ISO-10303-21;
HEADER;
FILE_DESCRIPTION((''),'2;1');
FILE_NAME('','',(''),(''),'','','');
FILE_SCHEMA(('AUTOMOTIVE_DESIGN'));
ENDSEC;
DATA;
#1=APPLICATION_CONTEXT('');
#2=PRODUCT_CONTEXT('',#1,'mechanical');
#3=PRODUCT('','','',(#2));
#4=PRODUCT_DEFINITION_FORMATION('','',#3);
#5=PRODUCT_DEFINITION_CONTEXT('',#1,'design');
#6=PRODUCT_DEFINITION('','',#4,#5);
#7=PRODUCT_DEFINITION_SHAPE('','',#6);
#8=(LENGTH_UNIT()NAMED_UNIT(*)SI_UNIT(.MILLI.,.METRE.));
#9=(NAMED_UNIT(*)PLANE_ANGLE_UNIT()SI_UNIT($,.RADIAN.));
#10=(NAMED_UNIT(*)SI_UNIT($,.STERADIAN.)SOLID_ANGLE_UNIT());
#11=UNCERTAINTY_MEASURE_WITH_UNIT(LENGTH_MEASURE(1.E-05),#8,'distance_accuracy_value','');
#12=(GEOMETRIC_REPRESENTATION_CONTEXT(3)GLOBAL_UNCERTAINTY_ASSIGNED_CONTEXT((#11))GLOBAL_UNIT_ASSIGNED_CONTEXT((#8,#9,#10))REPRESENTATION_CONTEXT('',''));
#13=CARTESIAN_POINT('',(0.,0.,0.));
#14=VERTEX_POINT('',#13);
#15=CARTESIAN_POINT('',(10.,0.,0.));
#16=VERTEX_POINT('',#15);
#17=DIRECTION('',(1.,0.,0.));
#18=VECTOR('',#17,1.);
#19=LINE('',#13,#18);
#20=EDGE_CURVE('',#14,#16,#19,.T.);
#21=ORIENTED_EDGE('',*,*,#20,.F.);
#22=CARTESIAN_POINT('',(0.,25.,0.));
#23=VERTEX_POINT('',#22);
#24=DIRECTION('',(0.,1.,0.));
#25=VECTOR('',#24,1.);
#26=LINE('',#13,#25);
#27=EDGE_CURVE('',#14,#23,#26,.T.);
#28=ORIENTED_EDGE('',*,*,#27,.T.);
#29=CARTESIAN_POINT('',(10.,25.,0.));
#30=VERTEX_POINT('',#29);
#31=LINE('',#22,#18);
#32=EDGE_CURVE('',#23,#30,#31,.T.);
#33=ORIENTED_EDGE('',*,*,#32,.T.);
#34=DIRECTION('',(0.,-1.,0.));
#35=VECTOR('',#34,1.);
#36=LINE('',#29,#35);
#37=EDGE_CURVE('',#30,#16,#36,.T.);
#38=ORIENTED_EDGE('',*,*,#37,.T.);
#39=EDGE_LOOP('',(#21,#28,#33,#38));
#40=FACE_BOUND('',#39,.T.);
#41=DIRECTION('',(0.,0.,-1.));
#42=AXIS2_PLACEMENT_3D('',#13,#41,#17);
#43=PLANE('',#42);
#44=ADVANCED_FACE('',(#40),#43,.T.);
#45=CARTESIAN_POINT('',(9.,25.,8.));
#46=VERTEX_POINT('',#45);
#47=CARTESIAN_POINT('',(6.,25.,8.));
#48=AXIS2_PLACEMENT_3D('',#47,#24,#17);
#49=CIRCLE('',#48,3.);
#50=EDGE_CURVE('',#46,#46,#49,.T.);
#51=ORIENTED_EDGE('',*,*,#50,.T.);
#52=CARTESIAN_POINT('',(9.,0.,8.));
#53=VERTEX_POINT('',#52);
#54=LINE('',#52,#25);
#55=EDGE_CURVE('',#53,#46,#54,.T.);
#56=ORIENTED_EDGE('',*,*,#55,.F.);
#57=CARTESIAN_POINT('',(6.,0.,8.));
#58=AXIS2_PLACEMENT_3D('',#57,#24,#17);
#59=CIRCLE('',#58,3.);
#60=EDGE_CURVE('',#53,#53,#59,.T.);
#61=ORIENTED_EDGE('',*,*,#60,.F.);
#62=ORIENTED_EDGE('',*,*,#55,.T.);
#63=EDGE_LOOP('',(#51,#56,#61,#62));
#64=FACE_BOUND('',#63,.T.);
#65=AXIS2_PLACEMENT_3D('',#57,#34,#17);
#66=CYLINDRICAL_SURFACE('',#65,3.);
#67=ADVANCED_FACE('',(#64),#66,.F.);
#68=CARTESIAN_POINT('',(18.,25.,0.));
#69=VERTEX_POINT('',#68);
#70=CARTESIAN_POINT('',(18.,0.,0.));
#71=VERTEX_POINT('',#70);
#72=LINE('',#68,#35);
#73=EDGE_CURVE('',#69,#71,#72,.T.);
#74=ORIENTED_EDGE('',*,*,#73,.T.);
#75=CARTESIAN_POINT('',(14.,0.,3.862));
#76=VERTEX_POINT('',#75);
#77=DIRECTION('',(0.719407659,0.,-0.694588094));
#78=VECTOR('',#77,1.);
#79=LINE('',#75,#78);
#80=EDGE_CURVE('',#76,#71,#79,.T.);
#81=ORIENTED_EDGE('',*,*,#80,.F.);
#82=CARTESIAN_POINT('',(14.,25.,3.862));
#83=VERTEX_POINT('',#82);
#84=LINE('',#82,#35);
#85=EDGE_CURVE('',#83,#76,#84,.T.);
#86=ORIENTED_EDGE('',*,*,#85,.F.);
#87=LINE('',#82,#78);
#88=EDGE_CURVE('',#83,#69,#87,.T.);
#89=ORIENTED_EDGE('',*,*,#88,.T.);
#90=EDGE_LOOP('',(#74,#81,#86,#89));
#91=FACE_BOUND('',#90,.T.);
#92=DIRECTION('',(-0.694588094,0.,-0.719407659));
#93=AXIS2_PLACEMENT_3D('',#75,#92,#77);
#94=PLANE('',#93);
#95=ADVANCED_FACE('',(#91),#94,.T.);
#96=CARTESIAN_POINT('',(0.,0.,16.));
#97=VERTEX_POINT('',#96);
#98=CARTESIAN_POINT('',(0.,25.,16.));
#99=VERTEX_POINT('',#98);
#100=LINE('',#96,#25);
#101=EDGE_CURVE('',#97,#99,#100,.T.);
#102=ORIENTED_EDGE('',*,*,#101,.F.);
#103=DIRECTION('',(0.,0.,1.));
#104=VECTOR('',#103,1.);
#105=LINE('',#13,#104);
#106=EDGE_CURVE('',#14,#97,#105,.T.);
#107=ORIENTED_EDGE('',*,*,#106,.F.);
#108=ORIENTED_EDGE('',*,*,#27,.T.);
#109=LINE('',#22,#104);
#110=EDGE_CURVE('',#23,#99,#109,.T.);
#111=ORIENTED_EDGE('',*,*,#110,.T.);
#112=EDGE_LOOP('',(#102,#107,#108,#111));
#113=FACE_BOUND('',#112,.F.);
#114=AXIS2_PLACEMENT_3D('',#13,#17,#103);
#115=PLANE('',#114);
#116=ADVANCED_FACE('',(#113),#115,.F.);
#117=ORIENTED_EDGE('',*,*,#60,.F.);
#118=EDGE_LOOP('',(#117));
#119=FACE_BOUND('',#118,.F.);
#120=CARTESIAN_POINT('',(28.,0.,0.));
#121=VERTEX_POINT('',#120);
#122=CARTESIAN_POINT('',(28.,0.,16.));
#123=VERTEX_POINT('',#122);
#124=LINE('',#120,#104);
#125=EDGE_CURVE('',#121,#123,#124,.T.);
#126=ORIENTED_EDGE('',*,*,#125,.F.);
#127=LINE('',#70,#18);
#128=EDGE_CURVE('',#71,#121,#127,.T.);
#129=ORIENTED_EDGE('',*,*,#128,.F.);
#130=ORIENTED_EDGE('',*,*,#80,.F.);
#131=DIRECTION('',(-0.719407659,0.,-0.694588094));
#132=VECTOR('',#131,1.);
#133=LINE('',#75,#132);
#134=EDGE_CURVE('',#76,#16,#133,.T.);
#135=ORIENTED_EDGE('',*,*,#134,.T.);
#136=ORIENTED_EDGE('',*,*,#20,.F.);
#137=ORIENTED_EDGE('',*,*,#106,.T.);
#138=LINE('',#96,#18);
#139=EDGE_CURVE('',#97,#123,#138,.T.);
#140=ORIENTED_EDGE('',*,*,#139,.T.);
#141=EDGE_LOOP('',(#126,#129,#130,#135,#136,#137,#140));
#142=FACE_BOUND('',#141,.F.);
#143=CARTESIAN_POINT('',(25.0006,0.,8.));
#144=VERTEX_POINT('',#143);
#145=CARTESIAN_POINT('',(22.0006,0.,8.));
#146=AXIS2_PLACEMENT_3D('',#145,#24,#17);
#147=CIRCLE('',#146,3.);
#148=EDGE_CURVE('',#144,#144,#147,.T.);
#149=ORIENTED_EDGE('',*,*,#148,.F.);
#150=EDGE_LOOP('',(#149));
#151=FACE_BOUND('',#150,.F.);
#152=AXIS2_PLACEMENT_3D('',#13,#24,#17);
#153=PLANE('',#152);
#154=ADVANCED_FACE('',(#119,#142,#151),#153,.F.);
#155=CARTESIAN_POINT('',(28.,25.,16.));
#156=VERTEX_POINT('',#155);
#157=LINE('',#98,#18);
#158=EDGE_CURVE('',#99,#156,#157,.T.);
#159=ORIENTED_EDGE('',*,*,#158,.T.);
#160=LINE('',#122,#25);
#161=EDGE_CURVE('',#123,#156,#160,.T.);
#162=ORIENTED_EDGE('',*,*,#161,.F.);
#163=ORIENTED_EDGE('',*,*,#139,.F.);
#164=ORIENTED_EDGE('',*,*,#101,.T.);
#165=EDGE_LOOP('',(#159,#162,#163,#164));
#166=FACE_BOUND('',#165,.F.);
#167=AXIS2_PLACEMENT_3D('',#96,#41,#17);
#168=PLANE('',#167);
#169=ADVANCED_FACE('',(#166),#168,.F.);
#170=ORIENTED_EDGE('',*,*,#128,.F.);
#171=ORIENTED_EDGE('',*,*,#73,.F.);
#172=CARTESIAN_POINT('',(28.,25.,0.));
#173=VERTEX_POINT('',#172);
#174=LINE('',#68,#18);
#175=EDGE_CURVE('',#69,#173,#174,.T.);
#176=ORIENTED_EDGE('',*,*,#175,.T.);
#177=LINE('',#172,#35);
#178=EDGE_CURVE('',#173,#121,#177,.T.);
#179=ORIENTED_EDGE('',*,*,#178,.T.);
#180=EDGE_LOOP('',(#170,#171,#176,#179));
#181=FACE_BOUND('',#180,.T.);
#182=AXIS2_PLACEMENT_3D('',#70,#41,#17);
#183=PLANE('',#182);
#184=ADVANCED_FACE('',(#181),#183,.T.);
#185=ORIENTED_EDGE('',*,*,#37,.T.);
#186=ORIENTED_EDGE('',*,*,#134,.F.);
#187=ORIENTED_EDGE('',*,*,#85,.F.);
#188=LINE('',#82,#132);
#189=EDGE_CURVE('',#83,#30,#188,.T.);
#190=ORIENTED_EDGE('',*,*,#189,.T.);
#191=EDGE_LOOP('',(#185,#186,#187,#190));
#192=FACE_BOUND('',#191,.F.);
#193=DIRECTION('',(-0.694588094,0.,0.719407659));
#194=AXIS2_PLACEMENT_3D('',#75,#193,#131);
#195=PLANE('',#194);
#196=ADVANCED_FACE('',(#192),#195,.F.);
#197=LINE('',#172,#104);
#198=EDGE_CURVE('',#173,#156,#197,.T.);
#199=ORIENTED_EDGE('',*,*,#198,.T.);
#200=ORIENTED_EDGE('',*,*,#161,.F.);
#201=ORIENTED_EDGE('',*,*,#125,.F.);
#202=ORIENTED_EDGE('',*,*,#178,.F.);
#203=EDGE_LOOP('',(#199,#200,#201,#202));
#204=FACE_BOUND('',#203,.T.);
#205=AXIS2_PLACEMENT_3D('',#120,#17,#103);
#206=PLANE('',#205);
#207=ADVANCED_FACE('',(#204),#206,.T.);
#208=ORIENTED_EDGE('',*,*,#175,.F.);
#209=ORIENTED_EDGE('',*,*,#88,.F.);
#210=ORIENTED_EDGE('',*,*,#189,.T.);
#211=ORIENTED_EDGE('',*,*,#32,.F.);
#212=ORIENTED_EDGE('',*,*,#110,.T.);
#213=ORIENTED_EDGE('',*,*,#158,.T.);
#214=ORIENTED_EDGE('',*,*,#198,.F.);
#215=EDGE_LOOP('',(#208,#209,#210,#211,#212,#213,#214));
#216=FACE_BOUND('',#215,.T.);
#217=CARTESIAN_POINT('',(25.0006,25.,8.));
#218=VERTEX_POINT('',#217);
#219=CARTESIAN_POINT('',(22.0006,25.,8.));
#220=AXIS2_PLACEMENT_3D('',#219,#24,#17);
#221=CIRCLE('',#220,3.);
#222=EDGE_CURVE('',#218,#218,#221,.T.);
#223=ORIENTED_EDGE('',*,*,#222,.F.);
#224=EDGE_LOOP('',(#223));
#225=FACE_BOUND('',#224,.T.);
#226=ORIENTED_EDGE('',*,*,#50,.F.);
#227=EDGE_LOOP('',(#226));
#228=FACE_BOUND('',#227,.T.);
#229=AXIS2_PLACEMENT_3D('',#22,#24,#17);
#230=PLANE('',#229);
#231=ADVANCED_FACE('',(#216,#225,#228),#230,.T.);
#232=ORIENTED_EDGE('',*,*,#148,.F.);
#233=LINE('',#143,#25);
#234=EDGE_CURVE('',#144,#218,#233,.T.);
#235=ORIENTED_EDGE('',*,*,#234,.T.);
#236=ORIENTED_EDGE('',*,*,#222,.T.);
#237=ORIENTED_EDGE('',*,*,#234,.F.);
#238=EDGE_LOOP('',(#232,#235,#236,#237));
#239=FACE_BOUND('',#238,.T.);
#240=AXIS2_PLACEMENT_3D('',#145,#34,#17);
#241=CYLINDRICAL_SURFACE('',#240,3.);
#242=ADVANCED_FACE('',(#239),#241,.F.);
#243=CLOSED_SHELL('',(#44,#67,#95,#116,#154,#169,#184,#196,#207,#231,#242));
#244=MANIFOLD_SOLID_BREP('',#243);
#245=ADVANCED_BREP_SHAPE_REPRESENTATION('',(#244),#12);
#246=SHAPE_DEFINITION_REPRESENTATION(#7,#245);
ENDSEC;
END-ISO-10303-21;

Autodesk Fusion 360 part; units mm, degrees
sketch "Sketch3" plane through (0, 0, 0) normal (0, 1, 0) x (1, 0, 0)
  line L0 (0, 0) -> (0, -16)
  line L1 (28, 0) -> (28, -16)
  line L2 (0, -16) -> (28, -16)
  line L3 (14, -3.862) -> (10, 0)
  line L4 (14, -3.862) -> (18, 0)
  line L5 (0, 0) -> (10, 0)
  line L6 (18, 0) -> (28, 0)
  circle A0 centre (6, -8) radius 3
  circle A1 centre (22.0006, -8) radius 3
  dimension "d21" = 16
  dimension "d22" = 28
  dimension "d23" = 16
  dimension "d25" = 6
  dimension "d26" = 6
extrude "Extrude3" add sketch "Sketch3" along normal blind 5
extrude "Extrude4" add 1 faces at (11.6987, 5, 14.2642) along direction (0, 1, 0) blind 20
